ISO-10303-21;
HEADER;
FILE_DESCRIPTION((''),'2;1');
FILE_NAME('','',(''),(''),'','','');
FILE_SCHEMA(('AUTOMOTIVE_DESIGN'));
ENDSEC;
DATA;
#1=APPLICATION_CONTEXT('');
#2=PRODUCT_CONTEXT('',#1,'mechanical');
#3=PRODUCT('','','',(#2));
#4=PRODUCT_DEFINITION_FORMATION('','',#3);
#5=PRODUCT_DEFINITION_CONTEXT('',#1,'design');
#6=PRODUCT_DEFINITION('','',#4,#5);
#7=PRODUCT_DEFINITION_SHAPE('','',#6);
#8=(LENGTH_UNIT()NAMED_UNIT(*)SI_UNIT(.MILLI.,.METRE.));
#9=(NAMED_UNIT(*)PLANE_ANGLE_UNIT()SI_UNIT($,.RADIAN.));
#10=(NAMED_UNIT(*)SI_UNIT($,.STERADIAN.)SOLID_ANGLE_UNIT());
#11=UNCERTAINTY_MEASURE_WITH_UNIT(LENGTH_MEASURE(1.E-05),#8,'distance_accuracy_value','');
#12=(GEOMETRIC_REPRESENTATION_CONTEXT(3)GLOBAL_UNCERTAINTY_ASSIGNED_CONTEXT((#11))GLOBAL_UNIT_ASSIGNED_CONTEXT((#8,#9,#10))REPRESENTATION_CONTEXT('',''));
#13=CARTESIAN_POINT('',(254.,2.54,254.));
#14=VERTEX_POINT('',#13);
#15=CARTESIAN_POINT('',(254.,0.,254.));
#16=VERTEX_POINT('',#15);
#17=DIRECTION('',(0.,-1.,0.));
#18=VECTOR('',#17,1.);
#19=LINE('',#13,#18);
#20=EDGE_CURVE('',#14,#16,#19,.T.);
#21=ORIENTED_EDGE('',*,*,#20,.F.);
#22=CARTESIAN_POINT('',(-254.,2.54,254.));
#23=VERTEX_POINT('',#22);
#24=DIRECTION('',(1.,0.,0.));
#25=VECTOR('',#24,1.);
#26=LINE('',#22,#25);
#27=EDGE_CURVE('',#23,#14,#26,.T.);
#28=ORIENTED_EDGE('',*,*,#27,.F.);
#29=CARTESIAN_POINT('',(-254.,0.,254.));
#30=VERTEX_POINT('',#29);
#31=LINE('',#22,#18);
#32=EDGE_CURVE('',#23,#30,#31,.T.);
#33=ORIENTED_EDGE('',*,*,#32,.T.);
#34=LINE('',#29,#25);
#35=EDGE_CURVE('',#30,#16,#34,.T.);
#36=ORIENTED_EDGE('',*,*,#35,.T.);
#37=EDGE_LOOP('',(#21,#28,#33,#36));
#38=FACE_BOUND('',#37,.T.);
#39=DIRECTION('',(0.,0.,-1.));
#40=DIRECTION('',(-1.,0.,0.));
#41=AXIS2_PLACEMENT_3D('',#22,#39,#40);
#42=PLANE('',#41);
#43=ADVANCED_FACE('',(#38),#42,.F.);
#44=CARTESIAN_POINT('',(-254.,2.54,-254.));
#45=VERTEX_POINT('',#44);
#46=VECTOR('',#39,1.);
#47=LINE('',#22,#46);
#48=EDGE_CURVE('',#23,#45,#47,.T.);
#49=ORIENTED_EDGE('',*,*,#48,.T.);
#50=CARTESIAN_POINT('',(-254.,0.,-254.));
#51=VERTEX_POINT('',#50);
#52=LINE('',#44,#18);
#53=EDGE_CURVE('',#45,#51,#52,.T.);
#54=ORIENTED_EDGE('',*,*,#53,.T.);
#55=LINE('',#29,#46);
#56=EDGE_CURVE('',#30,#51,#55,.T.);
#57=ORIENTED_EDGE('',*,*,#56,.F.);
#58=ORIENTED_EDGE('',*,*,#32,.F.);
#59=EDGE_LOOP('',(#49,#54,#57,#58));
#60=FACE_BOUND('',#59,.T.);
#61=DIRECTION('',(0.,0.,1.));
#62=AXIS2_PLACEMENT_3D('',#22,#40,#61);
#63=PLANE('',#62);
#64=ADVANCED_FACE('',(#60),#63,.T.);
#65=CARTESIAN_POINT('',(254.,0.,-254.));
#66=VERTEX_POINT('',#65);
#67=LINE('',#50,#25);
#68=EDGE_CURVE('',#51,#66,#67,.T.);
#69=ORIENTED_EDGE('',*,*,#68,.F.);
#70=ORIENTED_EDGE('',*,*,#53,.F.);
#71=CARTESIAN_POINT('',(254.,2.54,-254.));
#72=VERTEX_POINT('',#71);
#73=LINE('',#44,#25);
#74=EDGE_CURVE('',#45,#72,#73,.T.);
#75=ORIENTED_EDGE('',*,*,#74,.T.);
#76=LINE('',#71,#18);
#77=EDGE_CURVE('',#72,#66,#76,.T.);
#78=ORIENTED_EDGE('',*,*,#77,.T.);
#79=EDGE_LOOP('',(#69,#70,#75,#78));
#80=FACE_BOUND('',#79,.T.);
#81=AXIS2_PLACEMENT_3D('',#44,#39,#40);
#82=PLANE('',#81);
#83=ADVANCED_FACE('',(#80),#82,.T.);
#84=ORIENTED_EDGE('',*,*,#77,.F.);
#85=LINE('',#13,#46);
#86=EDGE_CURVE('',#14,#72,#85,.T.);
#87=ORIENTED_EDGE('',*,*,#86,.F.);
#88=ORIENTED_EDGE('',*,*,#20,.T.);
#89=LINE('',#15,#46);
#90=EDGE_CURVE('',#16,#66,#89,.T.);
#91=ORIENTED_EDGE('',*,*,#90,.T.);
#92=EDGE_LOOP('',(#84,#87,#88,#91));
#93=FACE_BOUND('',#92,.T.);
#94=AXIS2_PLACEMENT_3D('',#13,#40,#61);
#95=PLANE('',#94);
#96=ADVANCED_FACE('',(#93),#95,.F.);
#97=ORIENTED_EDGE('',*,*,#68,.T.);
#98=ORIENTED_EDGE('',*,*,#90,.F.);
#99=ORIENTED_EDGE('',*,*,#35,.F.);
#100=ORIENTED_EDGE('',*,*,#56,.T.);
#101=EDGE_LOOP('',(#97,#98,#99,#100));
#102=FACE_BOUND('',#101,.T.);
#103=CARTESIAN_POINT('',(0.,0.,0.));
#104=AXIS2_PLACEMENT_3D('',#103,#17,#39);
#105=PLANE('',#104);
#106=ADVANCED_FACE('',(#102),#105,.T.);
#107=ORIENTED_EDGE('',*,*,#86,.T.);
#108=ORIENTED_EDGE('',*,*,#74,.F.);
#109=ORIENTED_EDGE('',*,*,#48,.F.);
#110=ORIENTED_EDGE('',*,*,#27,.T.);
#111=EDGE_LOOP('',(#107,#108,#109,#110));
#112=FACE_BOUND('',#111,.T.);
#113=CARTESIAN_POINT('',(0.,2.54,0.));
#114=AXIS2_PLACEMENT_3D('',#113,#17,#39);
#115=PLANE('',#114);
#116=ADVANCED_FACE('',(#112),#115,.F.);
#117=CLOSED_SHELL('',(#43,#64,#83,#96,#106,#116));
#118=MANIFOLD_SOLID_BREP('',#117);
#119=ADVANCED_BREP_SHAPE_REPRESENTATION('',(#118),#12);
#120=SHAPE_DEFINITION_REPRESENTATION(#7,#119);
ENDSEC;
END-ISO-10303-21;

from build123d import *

# Parameters (mm, degrees)
SKETCH1_W          = 508
SKETCH1_H          = 508
GROUND_PLANE_DEPTH = 2.54


with BuildPart() as part:
    # Sketch1 → Ground Plane (new body)
    with BuildSketch(Plane(origin=(0, 0, 0), x_dir=(1, 0, 0), z_dir=(0, 1, 0))):
        Rectangle(SKETCH1_W, SKETCH1_H)
    extrude(amount=GROUND_PLANE_DEPTH)


solid = part.part
